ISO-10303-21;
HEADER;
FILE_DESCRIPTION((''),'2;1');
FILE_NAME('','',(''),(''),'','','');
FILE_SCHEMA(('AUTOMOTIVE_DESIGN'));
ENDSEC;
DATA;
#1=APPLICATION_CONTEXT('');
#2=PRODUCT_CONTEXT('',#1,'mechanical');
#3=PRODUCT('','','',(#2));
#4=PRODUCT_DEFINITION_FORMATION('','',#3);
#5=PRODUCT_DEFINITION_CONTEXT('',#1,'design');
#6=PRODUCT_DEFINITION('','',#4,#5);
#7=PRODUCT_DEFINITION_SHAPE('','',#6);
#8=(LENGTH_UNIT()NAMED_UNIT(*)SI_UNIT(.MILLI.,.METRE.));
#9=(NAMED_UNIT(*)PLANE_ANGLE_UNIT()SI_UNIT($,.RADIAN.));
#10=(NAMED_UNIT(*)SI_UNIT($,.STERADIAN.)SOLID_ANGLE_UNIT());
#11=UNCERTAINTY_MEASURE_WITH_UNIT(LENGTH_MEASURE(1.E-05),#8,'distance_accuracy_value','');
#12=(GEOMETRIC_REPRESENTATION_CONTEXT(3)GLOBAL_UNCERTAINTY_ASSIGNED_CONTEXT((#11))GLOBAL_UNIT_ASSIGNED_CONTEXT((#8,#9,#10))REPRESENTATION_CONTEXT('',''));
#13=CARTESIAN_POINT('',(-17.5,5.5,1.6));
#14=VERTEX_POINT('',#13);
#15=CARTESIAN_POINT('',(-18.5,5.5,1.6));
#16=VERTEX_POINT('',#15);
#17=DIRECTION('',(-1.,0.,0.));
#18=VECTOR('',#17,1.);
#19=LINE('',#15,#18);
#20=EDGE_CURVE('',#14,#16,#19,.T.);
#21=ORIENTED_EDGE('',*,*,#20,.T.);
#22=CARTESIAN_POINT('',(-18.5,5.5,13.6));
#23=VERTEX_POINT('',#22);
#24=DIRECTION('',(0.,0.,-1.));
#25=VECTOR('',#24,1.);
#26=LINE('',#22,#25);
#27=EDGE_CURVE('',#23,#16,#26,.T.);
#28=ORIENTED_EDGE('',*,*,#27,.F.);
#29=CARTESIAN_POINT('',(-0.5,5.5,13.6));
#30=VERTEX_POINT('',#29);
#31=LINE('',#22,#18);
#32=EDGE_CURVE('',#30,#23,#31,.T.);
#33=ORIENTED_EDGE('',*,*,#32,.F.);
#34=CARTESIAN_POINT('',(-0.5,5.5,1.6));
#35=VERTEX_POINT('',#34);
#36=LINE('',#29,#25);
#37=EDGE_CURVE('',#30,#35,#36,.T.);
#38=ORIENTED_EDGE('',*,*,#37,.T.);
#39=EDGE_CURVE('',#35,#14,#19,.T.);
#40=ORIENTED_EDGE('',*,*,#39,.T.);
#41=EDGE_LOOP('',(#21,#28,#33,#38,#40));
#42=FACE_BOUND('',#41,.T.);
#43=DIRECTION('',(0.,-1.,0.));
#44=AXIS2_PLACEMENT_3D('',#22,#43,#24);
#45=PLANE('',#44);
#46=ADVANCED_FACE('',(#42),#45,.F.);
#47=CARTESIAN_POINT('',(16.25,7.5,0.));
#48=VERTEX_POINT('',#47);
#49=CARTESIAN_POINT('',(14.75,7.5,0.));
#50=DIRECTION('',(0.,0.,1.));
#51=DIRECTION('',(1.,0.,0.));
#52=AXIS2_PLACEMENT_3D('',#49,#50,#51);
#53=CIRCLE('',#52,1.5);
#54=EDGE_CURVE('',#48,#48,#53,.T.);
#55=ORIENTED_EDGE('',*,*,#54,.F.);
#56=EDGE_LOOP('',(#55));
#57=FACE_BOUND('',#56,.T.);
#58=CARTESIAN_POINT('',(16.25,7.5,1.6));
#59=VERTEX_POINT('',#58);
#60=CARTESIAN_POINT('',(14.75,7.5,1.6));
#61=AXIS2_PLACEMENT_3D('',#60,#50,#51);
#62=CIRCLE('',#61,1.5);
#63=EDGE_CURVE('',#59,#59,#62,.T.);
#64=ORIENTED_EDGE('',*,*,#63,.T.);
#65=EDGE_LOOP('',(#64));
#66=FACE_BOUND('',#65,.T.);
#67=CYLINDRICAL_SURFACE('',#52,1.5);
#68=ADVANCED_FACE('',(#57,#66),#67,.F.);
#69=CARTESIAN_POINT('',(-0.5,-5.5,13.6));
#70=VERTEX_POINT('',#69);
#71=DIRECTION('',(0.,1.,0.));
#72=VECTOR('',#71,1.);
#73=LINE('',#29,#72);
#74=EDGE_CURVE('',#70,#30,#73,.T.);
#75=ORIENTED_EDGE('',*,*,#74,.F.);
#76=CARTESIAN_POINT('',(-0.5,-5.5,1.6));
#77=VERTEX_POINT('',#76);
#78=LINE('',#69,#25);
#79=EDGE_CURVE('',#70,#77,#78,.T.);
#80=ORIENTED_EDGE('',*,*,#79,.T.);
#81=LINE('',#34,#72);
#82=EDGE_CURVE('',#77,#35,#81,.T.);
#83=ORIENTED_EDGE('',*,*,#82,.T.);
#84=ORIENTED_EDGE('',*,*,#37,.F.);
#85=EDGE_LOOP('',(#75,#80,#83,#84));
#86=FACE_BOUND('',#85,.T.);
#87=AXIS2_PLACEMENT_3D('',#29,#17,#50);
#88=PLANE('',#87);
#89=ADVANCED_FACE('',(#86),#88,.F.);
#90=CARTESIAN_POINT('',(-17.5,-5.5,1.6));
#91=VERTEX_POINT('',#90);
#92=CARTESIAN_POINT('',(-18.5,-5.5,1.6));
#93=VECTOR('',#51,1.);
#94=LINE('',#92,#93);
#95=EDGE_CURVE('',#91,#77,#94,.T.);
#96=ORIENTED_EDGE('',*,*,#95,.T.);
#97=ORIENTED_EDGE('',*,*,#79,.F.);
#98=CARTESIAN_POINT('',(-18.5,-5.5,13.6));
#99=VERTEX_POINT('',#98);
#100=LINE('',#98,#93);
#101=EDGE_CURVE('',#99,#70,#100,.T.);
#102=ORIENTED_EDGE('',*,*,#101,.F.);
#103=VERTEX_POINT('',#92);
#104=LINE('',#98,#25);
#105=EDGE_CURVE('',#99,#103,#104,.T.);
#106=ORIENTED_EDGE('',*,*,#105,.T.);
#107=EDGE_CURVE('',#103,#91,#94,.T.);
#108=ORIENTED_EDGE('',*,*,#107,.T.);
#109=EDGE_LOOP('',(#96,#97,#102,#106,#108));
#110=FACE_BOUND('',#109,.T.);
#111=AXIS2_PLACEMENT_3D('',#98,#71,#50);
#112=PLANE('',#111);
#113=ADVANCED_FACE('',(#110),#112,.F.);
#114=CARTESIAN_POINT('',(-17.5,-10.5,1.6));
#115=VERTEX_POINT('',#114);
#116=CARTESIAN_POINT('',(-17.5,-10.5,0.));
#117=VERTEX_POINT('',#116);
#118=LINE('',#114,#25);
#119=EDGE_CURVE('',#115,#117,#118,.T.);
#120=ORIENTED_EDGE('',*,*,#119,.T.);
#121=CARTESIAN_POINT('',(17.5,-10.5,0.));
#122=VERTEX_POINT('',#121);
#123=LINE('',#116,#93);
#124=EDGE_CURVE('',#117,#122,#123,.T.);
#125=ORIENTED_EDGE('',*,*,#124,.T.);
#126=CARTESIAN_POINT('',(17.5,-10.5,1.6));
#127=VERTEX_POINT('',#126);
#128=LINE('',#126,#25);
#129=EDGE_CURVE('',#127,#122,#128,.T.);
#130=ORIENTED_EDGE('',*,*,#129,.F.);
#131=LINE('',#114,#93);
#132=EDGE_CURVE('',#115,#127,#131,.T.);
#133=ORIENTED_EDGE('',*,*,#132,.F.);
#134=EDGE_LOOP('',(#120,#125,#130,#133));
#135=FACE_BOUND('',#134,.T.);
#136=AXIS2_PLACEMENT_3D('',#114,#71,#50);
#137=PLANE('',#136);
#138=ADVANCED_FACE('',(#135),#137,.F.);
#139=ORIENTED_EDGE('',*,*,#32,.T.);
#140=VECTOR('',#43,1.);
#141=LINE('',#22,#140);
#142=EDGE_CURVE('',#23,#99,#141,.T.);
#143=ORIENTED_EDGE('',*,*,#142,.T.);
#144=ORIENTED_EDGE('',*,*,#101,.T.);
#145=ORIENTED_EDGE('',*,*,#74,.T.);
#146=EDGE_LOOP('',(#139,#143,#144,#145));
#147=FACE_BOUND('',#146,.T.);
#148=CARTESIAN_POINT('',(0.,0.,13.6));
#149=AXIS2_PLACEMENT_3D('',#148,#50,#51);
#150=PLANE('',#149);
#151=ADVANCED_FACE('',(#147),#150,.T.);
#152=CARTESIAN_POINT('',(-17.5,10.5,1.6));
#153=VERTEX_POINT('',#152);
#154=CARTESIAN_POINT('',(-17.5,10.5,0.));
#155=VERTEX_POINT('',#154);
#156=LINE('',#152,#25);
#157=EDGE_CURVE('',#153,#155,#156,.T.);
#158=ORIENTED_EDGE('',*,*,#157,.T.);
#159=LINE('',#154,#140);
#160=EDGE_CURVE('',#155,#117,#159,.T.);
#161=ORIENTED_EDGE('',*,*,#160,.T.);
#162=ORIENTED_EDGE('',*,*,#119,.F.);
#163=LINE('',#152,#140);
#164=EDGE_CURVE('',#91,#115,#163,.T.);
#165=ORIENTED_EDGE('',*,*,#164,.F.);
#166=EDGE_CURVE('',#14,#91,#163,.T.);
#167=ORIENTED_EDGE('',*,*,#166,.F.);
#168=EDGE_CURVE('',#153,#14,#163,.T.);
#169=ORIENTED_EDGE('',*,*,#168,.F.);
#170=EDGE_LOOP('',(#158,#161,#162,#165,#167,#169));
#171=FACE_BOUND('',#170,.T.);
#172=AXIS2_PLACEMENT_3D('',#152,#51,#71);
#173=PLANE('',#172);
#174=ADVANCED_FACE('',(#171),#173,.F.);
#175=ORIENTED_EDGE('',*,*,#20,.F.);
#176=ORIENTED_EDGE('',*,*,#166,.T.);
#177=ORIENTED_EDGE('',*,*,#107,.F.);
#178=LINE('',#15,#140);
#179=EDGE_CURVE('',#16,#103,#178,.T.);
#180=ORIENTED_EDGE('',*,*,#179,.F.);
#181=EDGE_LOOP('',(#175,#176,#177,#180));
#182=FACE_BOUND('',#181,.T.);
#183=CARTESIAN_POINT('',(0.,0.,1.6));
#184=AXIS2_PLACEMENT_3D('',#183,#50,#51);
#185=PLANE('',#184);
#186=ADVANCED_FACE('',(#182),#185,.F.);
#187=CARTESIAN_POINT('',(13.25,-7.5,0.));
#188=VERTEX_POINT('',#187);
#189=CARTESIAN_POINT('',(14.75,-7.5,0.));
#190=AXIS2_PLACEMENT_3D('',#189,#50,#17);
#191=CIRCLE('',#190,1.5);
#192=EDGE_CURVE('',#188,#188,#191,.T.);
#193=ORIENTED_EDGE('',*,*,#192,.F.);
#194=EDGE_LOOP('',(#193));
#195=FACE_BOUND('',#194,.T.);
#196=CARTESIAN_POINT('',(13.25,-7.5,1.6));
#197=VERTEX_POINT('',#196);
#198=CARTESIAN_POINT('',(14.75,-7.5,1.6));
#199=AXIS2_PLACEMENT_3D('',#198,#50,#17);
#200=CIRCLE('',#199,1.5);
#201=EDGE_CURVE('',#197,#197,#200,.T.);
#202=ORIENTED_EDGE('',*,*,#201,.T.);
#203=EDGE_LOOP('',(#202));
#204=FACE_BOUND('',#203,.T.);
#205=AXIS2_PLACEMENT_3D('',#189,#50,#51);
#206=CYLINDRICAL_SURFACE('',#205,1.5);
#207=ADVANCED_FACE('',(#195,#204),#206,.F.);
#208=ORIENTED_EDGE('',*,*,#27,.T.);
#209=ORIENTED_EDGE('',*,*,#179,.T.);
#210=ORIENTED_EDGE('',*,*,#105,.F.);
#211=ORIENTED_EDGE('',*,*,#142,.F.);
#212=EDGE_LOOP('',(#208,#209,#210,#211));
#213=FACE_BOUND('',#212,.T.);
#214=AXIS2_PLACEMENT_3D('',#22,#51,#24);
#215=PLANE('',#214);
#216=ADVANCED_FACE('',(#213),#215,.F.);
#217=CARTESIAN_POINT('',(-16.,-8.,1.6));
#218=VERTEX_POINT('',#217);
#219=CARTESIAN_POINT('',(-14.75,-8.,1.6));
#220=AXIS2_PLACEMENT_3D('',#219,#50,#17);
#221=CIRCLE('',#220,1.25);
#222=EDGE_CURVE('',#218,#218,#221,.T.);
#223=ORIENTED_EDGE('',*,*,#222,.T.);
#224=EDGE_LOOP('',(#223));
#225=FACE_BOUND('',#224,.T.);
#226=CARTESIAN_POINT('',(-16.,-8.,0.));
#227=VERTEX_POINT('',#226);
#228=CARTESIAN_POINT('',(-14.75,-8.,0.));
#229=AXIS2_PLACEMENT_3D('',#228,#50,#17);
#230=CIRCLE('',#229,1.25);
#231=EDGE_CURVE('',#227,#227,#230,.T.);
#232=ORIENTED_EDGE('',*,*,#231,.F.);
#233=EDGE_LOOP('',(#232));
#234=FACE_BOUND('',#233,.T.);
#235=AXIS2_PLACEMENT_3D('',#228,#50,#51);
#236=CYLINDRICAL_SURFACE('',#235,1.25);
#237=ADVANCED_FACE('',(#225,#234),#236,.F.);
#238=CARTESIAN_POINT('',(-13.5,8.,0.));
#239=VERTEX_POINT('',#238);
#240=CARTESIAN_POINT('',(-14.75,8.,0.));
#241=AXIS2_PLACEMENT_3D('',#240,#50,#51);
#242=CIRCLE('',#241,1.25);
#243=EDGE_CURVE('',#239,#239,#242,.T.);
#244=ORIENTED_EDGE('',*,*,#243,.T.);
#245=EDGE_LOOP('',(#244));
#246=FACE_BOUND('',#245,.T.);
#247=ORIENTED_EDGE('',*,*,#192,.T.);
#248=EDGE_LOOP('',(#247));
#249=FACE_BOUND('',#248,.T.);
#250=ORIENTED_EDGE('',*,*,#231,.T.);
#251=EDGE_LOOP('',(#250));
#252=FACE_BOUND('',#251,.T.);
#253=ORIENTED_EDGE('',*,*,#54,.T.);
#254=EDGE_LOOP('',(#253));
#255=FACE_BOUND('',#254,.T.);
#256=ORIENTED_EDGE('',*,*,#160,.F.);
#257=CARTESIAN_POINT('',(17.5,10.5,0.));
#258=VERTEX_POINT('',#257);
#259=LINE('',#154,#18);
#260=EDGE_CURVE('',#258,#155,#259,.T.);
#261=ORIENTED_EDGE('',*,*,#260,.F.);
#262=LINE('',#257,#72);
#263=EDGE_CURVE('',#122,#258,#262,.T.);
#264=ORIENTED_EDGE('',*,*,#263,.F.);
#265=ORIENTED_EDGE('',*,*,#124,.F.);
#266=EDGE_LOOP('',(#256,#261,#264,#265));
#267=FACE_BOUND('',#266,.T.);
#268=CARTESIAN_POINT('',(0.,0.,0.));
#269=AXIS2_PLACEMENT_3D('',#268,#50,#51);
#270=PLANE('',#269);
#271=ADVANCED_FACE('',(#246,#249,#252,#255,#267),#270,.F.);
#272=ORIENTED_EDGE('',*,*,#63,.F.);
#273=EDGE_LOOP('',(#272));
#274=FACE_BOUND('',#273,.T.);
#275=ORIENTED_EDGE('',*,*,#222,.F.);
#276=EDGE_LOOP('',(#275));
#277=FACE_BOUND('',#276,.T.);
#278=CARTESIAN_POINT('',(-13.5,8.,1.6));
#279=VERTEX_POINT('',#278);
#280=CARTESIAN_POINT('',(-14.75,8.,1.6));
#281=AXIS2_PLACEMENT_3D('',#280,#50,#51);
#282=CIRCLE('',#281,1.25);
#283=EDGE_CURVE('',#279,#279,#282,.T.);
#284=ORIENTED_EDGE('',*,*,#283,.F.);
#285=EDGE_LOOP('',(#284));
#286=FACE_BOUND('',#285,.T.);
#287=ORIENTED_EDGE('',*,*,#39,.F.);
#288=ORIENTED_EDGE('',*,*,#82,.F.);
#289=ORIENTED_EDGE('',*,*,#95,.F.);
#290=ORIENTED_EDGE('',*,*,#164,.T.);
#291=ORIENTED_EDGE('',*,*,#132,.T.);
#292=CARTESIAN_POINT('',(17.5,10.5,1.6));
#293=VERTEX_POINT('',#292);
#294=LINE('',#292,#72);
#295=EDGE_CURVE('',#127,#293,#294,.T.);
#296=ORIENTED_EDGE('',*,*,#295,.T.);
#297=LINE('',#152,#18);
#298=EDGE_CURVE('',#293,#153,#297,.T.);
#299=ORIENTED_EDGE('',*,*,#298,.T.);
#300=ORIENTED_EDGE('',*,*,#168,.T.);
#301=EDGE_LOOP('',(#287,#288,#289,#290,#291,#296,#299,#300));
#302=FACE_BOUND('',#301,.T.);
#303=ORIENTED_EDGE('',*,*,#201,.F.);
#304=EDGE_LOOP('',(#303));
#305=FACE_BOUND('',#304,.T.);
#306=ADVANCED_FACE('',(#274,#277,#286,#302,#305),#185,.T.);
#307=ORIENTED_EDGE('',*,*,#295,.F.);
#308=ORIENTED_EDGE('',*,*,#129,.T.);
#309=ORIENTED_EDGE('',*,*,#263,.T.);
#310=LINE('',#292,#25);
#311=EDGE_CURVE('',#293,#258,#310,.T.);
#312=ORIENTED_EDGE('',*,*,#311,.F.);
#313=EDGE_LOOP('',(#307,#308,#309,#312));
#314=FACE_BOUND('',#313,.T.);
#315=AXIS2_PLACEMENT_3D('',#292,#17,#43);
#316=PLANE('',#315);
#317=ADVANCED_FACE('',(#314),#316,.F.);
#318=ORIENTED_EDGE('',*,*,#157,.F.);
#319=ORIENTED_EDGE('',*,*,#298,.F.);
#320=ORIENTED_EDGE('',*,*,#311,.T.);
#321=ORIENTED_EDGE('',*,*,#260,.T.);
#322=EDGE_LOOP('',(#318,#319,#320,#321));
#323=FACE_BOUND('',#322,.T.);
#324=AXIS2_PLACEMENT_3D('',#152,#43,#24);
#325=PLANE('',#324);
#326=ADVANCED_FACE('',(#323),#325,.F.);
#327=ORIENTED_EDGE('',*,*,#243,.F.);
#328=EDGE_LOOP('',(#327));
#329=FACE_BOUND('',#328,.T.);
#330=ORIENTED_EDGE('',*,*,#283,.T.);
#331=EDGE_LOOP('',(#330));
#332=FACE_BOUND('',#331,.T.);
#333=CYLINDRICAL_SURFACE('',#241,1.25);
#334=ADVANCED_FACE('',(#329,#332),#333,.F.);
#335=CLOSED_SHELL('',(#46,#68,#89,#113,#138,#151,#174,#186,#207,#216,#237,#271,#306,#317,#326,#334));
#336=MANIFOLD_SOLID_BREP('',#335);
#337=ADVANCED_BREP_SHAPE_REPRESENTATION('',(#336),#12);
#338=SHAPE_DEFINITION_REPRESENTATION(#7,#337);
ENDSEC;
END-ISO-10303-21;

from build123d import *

# Parameters (mm, degrees)
SKETCH_1_W             = 35
SKETCH_1_H             = 21
EXTRUDE_346_DEPTH      = 1.6
SKETCH_2_W             = 18
SKETCH_2_H             = 11
RJ_9_DEPTH             = 12
SKETCH_3_R             = 1.25
SKETCH_3_R_2           = 1.5
CUT_EXTRUDE_1000_DEPTH = 25.423349484


with BuildPart() as part:
    # Эскиз1 → Extrude 346 (new body)
    with BuildSketch(Plane.XY):
        Rectangle(SKETCH_1_W, SKETCH_1_H)
    extrude(amount=EXTRUDE_346_DEPTH)

    # Эскиз2 → RJ-9 (add)
    with BuildSketch(Plane.XY.offset(1.6)):
        with Locations((-9.5, 0)):
            Rectangle(SKETCH_2_W, SKETCH_2_H)
    extrude(amount=RJ_9_DEPTH)

    # Эскиз3 → Cut-Extrude 1000 (cut, through all)
    with BuildSketch(Plane.XY.offset(1.6)):
        with Locations((-14.75, 8)):
            Circle(SKETCH_3_R)
        with Locations((14.75, 7.5)):
            Circle(SKETCH_3_R_2)
        with Locations(Location((14.75, -7.5, 0), (0, 0, 180))):
            Circle(SKETCH_3_R_2)
        with Locations(Location((-14.75, -8, 0), (0, 0, 180))):
            Circle(SKETCH_3_R)
    extrude(amount=-CUT_EXTRUDE_1000_DEPTH, mode=Mode.SUBTRACT)


solid = part.part
